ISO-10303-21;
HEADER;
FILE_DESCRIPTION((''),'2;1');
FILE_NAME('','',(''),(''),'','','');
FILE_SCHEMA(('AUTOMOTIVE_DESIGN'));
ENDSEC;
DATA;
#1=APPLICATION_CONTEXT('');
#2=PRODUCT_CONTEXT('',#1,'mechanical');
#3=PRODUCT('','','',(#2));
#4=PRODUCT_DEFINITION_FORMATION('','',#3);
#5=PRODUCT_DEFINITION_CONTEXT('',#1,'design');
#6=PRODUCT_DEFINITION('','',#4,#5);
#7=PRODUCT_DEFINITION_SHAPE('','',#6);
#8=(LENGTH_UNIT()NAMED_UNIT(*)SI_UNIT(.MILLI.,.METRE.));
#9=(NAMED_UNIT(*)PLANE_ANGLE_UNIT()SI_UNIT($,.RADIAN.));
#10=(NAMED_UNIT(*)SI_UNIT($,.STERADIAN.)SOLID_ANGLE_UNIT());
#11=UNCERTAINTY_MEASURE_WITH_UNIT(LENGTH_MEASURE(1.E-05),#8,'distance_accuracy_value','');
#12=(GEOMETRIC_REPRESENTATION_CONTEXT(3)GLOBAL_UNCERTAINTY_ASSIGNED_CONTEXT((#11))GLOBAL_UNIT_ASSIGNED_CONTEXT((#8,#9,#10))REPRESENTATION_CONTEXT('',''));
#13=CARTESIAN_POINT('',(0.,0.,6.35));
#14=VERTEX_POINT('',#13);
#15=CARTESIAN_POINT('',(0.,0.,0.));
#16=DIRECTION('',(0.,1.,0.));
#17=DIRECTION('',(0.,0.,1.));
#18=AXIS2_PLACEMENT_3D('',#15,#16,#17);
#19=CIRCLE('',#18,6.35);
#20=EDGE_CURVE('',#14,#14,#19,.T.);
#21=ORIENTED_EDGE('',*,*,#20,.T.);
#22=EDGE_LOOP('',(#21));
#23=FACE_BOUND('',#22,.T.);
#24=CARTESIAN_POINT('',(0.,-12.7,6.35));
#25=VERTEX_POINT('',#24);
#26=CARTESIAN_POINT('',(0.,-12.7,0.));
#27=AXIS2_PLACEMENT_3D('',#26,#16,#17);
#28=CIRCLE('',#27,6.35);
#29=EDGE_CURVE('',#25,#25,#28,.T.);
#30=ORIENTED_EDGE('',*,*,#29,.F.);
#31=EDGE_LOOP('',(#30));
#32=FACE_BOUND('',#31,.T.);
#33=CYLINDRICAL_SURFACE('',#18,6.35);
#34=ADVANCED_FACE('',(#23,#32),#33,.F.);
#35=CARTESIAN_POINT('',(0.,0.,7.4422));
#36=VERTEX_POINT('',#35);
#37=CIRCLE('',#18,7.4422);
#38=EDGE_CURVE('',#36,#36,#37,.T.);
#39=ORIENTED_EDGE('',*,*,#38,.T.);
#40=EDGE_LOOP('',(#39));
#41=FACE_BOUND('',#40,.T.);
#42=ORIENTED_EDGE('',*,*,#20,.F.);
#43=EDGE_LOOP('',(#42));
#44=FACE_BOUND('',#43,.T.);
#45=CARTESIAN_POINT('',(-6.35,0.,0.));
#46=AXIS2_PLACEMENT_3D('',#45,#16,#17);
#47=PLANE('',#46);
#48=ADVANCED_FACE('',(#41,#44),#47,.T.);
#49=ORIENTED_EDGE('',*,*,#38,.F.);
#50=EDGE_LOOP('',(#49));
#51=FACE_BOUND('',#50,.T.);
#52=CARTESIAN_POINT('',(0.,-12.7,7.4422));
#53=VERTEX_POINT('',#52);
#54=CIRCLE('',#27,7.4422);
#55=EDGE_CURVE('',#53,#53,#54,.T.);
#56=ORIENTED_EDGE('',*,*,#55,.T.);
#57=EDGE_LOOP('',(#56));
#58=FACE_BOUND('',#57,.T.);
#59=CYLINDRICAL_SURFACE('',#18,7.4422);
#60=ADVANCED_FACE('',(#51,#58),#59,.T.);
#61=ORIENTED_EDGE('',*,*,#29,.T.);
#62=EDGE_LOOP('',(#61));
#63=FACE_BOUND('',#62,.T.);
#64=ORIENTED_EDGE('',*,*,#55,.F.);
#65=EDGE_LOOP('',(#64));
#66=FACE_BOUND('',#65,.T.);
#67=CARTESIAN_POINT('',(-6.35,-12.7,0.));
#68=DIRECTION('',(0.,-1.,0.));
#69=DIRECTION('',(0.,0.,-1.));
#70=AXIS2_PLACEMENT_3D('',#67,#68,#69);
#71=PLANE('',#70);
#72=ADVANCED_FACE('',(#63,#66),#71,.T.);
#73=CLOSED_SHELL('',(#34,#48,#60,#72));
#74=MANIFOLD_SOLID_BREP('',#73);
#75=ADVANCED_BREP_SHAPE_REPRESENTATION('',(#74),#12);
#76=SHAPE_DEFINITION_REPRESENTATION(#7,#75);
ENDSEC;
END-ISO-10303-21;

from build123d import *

# Parameters (mm, degrees)
SKETCH1_W = 1.0922
SKETCH1_H = 12.7


with BuildPart() as part:
    # Sketch1 → Revolve1 (revolve)
    with BuildSketch(Plane.XY):
        with Locations((-6.8961, -6.35)):
            Rectangle(SKETCH1_W, SKETCH1_H)
    revolve(axis=Axis((0, 0, 0), (0, -1, 0)))


solid = part.part
